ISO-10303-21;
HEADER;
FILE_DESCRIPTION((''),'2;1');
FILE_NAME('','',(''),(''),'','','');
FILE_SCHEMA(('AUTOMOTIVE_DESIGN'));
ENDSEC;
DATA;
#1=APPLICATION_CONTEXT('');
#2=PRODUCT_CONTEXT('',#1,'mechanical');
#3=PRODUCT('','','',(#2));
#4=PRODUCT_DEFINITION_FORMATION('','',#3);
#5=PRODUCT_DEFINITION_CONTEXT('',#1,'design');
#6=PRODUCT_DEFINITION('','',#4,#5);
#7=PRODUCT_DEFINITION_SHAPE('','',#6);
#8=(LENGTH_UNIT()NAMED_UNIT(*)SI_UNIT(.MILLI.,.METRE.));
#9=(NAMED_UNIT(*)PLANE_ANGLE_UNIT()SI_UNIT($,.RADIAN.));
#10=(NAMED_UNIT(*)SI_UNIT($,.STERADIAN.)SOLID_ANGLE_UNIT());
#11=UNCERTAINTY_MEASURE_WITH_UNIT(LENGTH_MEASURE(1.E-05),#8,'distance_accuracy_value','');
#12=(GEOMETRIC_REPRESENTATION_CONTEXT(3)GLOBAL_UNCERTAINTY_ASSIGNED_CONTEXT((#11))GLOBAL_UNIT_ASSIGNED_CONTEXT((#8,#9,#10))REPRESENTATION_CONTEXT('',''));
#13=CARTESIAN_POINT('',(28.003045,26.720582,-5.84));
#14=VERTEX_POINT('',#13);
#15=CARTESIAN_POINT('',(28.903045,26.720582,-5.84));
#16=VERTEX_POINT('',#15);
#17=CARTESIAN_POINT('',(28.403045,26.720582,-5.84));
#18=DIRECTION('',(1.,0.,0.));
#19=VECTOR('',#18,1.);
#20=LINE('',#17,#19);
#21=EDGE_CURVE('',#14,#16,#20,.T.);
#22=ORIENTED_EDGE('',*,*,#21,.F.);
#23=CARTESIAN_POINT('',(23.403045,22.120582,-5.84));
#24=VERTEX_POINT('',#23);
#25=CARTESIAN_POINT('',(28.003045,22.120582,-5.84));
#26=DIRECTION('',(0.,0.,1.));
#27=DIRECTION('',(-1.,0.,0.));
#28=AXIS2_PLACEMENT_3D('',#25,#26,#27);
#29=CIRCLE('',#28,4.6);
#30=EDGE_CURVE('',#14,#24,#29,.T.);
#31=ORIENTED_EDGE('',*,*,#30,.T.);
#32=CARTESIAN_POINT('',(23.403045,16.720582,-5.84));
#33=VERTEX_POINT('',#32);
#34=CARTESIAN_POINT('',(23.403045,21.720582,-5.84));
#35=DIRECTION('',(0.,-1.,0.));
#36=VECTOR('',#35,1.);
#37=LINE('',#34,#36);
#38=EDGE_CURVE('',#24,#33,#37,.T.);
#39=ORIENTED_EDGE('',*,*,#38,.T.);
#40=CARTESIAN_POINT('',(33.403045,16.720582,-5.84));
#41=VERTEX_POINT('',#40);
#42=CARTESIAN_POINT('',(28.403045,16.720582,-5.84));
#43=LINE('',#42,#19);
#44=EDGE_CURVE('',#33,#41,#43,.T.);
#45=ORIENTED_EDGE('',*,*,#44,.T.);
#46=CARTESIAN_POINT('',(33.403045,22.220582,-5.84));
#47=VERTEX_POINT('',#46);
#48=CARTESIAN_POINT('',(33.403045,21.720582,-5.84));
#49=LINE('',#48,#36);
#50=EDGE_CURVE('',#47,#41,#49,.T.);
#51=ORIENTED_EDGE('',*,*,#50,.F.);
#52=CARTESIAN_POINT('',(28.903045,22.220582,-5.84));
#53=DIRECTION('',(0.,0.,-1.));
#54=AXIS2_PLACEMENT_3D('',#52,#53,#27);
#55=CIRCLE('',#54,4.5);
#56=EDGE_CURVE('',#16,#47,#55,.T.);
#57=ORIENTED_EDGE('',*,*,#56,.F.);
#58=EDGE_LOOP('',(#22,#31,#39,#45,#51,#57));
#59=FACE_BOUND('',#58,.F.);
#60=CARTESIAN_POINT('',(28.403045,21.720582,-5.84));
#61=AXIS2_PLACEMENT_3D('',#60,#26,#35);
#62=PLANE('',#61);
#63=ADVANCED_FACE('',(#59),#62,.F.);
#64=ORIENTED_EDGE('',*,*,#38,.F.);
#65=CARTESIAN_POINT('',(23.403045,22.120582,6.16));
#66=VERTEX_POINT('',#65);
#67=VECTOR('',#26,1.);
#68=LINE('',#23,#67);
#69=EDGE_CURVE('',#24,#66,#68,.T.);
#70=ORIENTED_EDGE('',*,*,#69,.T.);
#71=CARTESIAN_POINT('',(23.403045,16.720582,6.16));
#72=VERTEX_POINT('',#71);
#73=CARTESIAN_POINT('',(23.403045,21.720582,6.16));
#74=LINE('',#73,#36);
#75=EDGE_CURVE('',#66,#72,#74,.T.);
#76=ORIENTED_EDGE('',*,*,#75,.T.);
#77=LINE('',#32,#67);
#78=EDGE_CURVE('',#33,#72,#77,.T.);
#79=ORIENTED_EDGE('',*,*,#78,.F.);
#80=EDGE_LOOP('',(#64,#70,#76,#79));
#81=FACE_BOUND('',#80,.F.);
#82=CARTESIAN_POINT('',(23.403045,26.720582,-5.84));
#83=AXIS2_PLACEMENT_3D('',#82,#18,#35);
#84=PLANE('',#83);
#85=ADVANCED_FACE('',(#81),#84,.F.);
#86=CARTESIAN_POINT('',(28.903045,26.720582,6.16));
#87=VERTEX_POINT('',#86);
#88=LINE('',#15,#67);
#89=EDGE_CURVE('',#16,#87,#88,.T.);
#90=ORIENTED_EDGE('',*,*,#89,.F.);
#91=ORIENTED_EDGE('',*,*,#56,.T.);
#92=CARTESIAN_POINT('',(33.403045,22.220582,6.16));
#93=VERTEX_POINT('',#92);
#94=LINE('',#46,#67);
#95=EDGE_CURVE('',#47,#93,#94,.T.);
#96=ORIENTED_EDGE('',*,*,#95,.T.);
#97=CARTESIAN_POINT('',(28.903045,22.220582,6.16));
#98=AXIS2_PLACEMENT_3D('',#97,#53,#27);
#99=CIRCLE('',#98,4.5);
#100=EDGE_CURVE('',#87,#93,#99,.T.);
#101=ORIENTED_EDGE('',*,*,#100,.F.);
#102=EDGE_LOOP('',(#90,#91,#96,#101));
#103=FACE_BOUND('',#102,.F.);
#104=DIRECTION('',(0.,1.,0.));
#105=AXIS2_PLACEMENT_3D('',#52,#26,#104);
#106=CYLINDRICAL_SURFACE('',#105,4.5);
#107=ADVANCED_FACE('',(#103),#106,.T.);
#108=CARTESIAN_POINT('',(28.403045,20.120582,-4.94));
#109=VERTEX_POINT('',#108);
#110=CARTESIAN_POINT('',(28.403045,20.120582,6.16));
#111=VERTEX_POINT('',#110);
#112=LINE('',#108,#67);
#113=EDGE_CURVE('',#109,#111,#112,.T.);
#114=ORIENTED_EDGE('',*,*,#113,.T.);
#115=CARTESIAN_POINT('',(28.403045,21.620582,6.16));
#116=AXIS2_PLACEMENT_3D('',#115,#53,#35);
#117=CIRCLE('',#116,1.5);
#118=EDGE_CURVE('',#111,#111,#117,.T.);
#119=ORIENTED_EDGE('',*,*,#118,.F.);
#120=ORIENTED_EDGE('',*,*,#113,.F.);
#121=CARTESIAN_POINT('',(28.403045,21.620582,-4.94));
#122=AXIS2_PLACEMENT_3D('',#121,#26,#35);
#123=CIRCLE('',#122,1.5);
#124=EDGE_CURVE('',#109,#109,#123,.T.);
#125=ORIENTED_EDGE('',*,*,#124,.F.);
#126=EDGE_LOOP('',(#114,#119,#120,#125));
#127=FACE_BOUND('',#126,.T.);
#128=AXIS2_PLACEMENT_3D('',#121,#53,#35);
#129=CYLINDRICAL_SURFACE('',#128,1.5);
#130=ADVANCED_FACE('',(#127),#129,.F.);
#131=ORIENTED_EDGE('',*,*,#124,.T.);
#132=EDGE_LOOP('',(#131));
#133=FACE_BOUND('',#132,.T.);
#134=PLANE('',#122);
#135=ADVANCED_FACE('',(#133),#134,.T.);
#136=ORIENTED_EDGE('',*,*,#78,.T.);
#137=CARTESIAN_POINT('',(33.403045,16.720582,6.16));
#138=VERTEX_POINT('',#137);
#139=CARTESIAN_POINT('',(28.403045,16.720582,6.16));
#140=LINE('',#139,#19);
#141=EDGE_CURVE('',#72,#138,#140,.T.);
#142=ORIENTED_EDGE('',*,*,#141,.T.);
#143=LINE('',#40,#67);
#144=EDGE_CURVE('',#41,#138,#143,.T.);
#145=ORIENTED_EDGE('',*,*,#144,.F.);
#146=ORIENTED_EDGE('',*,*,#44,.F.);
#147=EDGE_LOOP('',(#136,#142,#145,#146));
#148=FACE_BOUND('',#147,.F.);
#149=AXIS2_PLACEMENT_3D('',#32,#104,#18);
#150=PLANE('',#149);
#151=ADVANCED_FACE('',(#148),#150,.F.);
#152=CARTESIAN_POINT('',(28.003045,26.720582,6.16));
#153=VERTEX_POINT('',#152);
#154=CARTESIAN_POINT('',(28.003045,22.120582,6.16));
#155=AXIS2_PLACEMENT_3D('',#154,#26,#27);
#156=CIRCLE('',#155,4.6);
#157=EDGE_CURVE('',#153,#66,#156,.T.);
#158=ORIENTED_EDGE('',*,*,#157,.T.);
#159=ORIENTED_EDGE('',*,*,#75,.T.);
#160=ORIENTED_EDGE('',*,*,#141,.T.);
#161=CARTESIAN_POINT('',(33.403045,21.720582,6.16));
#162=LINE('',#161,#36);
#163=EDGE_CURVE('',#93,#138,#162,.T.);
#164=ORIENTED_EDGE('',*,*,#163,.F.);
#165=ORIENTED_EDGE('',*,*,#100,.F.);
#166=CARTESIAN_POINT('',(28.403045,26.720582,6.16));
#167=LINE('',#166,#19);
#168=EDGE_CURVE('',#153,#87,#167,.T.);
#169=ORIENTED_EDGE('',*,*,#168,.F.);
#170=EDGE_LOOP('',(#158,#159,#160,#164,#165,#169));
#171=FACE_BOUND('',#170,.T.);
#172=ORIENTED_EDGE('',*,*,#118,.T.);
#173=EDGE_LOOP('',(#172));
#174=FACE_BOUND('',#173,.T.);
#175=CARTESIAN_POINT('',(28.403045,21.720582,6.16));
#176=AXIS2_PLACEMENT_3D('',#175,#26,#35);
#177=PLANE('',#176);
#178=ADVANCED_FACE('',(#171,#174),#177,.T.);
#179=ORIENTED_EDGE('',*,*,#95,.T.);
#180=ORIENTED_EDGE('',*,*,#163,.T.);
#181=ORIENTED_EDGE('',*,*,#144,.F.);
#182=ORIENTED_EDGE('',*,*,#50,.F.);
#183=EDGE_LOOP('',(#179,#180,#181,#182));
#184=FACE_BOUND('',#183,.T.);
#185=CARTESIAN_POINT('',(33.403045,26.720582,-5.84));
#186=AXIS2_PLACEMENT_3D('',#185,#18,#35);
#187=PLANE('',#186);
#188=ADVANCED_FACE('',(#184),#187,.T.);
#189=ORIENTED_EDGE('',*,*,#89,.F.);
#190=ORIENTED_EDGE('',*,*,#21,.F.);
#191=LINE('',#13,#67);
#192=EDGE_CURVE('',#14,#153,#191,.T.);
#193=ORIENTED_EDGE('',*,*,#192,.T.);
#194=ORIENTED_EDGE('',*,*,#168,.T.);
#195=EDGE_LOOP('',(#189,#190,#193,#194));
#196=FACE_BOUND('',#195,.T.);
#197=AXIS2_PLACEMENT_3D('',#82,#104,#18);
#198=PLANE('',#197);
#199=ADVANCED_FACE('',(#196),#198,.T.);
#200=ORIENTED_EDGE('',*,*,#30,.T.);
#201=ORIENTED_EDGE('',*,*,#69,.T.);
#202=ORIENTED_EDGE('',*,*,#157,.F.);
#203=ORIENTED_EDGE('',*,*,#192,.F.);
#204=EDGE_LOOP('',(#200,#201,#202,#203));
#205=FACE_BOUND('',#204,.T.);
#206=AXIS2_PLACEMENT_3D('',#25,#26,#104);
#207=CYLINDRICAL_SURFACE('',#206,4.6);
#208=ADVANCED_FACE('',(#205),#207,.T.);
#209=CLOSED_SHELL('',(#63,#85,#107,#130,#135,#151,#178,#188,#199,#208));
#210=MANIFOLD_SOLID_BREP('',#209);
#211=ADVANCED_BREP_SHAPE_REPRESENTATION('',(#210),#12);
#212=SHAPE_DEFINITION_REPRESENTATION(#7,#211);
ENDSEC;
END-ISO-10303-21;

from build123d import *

# Parameters (mm, degrees)
CYLINDER003_R             = 1.5
CYLINDER003_DEPTH         = 20
BOX037_W                  = 10
BOX037_H                  = 10
BOX037_DEPTH              = 12
FILLET013_R               = 4.5
FILLET014_R               = 4.6
FILLET014_PLACEMENT_ANGLE = 90


with BuildPart() as cylinder003:
    # Cylinder003 → Cylinder003 (new body)
    with BuildSketch(Plane(origin=(-103.2, 5, -48.3), x_dir=(1, 0, 0), z_dir=(0, 0, 1))):
        Circle(CYLINDER003_R)
    extrude(amount=CYLINDER003_DEPTH)


with BuildPart() as fillet014:
    # Box037 → Box037 (new body)
    with BuildSketch(Plane(origin=(-108.3, 0, -49.2), x_dir=(1, 0, 0), z_dir=(0, 0, 1))):
        with Locations((5, 5)):
            Rectangle(BOX037_W, BOX037_H)
    extrude(amount=BOX037_DEPTH)

    # Cut020: cut Cylinder003
    add(cylinder003.part, mode=Mode.SUBTRACT)

    # Fillet013
    fillet013_edges = [fillet014.edges().sort_by_distance(p)[0] for p in [
        (-108.3, 10, -43.2),
    ]]
    fillet(fillet013_edges, radius=FILLET013_R)

    # Fillet014
    fillet014_edges = [fillet014.edges().sort_by_distance(p)[0] for p in [
        (-108.3, 0, -43.2),
    ]]
    fillet(fillet014_edges, radius=FILLET014_R)


with BuildPart() as fillet014_1:
    # Fillet014 placement: moved
    add(fillet014.part.moved(Location((23.403045, -81.579418, 43.36))).rotate(Axis((23.403045, -81.579418, 43.36), (0, 0, -1)), FILLET014_PLACEMENT_ANGLE))


solid = fillet014_1.part
